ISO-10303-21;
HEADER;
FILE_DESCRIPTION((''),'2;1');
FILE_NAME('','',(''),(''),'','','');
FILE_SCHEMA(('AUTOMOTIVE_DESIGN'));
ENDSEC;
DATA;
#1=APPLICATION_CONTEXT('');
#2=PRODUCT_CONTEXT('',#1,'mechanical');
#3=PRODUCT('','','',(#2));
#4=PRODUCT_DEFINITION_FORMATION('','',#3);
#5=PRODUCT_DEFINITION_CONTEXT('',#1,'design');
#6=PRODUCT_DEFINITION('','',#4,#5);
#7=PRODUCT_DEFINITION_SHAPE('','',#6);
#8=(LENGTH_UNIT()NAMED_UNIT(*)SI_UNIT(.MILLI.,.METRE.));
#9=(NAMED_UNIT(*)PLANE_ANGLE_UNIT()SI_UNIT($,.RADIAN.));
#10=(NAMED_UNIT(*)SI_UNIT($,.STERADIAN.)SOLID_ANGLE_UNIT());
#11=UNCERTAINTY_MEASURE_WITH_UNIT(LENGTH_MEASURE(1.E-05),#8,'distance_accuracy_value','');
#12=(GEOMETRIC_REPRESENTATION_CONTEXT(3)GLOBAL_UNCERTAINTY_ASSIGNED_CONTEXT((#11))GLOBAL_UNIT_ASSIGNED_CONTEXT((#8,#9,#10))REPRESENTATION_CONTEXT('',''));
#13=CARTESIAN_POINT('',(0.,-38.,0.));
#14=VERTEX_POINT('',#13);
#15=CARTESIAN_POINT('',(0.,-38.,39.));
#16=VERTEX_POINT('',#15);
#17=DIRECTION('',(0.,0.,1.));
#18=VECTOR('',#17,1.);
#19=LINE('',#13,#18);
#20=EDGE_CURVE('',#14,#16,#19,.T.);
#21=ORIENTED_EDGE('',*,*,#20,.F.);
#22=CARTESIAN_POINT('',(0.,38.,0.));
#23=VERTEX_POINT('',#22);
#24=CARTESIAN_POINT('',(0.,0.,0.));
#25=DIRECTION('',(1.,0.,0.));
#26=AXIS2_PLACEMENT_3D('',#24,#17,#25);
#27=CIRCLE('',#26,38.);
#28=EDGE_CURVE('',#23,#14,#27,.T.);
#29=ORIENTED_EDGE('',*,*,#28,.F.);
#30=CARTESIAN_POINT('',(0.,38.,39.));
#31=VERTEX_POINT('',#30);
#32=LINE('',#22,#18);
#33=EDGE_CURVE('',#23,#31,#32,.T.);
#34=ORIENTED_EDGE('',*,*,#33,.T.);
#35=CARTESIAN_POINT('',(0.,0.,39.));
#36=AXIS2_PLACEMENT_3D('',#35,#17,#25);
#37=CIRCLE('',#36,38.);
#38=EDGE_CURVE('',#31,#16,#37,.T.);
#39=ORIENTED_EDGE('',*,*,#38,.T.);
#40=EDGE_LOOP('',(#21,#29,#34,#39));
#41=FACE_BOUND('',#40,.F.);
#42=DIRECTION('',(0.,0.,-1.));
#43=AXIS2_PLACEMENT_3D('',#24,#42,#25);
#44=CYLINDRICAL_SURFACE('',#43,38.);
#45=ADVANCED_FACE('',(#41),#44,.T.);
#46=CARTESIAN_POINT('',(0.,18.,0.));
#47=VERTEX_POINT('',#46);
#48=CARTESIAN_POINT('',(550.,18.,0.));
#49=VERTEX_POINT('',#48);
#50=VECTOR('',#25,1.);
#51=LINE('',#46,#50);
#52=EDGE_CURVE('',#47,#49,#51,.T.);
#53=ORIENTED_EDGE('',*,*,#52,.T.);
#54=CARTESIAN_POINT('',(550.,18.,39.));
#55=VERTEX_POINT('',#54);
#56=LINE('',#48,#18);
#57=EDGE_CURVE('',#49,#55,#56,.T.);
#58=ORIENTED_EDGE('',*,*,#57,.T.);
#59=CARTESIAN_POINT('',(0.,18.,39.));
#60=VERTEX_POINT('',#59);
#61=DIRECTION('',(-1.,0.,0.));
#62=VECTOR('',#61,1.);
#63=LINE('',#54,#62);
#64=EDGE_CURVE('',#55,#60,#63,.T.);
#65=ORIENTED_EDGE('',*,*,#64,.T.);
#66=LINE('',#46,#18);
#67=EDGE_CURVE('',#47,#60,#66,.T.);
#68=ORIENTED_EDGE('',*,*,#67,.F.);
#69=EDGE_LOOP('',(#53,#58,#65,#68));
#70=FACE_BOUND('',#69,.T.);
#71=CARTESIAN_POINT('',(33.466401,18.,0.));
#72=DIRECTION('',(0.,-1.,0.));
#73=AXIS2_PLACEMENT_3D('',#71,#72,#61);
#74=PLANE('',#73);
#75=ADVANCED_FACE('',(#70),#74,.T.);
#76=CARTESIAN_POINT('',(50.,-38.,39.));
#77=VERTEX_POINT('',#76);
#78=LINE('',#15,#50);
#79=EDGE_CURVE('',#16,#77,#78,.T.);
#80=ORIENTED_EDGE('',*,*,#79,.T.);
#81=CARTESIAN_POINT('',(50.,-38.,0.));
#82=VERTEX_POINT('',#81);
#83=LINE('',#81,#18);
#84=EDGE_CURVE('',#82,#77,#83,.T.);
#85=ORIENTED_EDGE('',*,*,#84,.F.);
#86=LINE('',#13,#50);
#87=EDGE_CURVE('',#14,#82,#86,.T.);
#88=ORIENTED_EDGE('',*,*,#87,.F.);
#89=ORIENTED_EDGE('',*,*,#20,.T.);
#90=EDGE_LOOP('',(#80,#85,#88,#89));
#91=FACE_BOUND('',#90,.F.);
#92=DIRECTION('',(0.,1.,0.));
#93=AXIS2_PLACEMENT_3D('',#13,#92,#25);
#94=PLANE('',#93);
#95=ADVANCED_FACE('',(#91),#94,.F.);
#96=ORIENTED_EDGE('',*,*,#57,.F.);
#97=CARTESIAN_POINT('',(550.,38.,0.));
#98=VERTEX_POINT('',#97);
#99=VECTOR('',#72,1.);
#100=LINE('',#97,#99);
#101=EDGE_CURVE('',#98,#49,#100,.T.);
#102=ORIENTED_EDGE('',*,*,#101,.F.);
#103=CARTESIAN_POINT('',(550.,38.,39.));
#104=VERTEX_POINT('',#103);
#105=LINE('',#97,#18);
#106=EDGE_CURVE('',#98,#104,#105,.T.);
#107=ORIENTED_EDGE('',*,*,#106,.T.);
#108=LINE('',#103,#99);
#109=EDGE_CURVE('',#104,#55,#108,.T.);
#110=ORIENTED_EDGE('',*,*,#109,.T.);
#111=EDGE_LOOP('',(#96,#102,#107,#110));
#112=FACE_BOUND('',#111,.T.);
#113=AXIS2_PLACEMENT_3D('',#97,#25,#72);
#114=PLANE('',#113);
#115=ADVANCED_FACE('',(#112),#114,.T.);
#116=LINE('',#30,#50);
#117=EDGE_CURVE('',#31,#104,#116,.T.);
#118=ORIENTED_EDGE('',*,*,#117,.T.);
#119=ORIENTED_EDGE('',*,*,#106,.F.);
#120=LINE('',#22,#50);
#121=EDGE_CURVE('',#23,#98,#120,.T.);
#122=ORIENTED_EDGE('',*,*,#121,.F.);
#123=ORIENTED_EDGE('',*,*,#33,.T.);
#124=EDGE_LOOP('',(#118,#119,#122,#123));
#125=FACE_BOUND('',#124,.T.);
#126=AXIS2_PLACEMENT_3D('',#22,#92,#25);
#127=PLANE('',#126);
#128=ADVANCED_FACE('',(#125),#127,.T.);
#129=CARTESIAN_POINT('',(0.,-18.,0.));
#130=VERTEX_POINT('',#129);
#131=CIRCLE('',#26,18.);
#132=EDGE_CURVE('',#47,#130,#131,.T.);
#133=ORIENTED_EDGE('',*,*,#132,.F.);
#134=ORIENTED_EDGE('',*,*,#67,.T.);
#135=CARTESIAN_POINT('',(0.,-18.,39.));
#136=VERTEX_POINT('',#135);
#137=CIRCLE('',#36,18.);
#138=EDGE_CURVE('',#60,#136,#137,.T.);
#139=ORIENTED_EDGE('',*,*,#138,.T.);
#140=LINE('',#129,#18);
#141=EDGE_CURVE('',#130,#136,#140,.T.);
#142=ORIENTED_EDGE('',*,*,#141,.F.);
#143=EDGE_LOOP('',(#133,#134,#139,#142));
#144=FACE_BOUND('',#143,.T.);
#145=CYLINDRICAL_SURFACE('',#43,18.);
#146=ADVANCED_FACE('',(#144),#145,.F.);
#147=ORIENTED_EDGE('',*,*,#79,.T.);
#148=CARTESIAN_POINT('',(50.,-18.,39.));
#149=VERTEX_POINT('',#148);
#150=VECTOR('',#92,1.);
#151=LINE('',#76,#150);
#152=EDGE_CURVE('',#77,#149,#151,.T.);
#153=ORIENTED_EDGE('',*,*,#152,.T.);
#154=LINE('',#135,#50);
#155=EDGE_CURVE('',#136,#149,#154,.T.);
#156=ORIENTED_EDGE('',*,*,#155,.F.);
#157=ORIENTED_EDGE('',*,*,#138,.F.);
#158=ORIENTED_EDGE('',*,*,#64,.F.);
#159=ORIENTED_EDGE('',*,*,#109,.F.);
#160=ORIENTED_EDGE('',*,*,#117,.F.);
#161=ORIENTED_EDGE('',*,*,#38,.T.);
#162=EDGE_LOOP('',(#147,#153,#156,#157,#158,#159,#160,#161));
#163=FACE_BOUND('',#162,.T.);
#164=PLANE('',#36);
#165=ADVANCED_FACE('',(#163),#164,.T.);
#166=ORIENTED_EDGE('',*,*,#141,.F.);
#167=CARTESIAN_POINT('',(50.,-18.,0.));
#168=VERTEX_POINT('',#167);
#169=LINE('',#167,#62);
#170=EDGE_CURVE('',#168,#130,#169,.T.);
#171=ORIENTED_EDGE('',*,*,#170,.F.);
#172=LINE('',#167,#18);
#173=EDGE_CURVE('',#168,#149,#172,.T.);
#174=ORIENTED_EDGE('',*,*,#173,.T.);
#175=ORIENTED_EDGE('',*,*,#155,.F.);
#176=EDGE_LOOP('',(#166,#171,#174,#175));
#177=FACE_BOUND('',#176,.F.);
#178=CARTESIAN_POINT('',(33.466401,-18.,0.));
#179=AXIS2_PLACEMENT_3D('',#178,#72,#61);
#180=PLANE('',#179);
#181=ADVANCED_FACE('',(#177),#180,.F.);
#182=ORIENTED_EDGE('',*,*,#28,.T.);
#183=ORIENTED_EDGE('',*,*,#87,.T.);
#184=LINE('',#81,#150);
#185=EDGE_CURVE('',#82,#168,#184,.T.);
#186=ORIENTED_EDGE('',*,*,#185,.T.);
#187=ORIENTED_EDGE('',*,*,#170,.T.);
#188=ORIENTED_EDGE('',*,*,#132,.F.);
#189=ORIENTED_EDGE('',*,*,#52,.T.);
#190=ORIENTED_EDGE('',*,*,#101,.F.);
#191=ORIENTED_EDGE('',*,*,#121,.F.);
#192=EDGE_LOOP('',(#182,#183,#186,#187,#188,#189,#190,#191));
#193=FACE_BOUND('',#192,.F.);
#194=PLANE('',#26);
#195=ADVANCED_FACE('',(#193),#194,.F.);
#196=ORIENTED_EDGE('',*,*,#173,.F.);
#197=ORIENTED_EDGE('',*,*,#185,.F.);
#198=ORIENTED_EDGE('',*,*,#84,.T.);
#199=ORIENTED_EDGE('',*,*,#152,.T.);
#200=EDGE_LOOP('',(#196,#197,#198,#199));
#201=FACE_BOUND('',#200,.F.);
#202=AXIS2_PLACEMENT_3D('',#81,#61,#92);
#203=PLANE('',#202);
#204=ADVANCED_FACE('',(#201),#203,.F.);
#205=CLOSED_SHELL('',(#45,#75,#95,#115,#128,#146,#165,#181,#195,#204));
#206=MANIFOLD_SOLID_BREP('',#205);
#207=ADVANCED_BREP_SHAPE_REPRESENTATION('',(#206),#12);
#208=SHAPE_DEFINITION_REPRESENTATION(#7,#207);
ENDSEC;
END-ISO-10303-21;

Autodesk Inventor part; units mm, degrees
ref_plane "YZ Plane" through (0, 0, 0) normal (1, 0, 0) x (0, 1, 0)
ref_plane "XZ Plane" through (0, 0, 0) normal (0, 1, 0) x (-1, 0, 0)
ref_plane "XY Plane" through (0, 0, 0) normal (0, 0, 1) x (1, 0, 0)
sketch "Sketch1" plane through (0, 0, 0) normal (0, 0, 1) x (1, 0, 0)
  circle A0 centre (0, 0) radius 38
  line L0 (0, -38) -> (50, -38)
  line L1 (50, -38) -> (50, -18)
  line L2 (50, -18) -> (0, -18)
  line L3 (0, -18) -> (0, -38)
  line L4 (0, 38) -> (550, 38)
  line L5 (550, 38) -> (550, 18)
  line L6 (550, 18) -> (0, 18)
  line L7 (0, 18) -> (0, 38)
  circle A1 centre (0, 0) radius 18
  point P0 (0, -18)
  point P1 (0, 18)
  point P2 (20, -18)
  point P3 (-38, 0)
  dimension "d0" = 76
  dimension "d1" = 20
  dimension "d2" = 20
  dimension "d9" = 550
  dimension "d10" = 58
  dimension "d11" = 30
extrude "Extrusion1" add sketch "Sketch1" along normal blind 39 contours L7 A1 L3 A0 | L4 L5 L6 A0 | A0 L6 L7 | L3 L2 A0 | A0 L2 L1 L0
properties part number "J15BF.1.30_Xaxis"
